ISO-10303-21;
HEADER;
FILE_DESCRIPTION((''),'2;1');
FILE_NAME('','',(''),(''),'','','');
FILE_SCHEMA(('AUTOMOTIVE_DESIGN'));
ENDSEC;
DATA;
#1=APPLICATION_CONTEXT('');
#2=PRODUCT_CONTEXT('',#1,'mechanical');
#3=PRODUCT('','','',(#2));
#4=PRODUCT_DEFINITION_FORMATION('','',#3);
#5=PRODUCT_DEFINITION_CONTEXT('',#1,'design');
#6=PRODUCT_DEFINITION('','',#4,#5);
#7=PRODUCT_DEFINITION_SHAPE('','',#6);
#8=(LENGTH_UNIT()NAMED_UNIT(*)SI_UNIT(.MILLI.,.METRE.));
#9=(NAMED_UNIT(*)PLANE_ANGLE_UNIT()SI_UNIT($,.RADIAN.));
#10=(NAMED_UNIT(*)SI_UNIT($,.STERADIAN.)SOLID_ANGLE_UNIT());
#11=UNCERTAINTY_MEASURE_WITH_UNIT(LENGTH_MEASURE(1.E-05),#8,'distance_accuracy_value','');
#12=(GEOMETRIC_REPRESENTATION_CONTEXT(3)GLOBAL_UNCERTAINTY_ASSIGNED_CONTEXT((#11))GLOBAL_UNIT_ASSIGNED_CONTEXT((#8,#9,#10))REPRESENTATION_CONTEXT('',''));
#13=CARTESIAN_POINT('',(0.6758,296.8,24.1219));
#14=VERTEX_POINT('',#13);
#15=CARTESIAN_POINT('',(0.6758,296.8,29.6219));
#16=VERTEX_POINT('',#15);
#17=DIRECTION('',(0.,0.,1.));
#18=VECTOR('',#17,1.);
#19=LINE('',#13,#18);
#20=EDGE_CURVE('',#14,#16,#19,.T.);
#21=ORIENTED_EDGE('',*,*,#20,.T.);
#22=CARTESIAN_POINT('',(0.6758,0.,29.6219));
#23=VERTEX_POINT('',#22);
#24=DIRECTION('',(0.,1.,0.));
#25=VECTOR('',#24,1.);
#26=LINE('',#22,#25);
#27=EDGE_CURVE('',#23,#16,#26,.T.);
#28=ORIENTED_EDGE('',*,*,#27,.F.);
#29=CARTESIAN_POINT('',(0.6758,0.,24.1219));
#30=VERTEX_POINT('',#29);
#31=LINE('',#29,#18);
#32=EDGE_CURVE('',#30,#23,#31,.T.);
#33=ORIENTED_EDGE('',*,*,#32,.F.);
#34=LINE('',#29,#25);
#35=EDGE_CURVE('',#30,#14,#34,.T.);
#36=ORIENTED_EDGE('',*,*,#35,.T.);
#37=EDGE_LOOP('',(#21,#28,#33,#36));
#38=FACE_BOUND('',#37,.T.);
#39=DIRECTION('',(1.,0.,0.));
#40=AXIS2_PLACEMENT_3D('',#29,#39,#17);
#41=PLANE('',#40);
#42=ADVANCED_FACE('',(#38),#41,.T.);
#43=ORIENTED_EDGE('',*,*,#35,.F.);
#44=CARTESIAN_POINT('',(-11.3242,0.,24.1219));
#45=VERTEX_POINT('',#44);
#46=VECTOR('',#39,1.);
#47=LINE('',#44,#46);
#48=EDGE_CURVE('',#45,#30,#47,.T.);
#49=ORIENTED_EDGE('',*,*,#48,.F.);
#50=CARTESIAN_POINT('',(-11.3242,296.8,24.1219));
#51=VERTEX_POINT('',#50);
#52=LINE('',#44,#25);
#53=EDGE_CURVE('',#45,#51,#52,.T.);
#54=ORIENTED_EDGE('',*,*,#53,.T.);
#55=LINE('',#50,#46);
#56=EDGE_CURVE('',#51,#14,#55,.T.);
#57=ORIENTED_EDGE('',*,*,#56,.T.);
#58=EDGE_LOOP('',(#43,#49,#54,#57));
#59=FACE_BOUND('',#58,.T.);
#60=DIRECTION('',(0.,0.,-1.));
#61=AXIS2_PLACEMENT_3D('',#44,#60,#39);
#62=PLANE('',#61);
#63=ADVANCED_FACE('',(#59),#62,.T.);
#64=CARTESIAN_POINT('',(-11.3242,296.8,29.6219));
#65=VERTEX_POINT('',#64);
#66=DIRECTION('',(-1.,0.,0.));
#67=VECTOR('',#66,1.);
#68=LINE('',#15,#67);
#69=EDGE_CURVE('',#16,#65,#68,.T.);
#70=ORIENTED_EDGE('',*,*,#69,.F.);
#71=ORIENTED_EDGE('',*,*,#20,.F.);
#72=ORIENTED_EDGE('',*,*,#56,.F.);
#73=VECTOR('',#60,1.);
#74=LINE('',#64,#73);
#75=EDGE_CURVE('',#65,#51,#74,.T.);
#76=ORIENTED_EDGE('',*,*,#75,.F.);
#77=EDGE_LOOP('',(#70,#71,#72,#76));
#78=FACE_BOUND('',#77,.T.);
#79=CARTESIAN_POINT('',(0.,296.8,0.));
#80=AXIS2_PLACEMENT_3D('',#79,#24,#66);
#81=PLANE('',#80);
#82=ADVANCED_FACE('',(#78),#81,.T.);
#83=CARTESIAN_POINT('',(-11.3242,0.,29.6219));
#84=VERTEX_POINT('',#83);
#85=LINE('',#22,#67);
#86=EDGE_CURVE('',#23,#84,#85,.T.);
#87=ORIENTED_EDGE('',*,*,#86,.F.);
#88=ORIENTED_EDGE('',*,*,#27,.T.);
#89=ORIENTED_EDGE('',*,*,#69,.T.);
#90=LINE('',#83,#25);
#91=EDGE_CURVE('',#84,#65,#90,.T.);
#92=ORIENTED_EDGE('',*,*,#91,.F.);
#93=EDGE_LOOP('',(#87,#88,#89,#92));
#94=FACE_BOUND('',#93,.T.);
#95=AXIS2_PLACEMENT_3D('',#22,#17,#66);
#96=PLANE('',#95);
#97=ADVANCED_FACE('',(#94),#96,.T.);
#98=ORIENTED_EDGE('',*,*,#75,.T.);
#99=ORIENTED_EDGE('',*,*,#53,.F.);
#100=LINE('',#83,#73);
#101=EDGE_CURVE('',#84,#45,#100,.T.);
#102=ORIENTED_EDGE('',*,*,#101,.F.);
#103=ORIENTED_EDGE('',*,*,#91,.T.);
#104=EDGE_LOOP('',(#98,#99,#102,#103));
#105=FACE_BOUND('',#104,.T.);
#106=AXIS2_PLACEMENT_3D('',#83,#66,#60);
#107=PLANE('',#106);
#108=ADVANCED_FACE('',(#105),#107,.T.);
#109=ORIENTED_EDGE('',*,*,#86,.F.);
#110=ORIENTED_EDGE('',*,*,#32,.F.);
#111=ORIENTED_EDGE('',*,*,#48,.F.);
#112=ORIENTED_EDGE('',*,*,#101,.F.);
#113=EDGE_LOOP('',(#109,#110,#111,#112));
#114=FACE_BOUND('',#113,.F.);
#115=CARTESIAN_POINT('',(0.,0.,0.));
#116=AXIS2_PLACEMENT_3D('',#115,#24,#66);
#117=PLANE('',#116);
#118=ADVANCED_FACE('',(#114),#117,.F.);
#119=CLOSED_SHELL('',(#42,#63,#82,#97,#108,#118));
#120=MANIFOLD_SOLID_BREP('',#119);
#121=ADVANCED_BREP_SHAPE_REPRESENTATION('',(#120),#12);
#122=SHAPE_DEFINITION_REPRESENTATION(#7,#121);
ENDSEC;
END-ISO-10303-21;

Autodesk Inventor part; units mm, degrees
ref_plane "YZ Plane" through (0, 0, 0) normal (1, 0, 0) x (0, 1, 0)
ref_plane "XZ Plane" through (0, 0, 0) normal (0, 1, 0) x (-1, 0, 0)
ref_plane "XY Plane" through (0, 0, 0) normal (0, 0, 1) x (1, 0, 0)
sketch "Boceto1" plane through (0, 0, 0) normal (0, 1, 0) x (-1, 0, 0)
  line L0 (11.3242, 29.6219) -> (11.3242, 24.1219)
  line L1 (11.3242, 24.1219) -> (-0.6758, 24.1219)
  line L2 (-0.6758, 24.1219) -> (-0.6758, 29.6219)
  line L3 (-0.6758, 29.6219) -> (11.3242, 29.6219)
  point P0 (0, 0)
  dimension "d0" = 5.5
  dimension "d1" = 12
extrude "Extrusión1" add sketch "Boceto1" along normal blind 296.8
properties part number "Separador Lateral" material "MDF Tablero de fibras de densidad media"
